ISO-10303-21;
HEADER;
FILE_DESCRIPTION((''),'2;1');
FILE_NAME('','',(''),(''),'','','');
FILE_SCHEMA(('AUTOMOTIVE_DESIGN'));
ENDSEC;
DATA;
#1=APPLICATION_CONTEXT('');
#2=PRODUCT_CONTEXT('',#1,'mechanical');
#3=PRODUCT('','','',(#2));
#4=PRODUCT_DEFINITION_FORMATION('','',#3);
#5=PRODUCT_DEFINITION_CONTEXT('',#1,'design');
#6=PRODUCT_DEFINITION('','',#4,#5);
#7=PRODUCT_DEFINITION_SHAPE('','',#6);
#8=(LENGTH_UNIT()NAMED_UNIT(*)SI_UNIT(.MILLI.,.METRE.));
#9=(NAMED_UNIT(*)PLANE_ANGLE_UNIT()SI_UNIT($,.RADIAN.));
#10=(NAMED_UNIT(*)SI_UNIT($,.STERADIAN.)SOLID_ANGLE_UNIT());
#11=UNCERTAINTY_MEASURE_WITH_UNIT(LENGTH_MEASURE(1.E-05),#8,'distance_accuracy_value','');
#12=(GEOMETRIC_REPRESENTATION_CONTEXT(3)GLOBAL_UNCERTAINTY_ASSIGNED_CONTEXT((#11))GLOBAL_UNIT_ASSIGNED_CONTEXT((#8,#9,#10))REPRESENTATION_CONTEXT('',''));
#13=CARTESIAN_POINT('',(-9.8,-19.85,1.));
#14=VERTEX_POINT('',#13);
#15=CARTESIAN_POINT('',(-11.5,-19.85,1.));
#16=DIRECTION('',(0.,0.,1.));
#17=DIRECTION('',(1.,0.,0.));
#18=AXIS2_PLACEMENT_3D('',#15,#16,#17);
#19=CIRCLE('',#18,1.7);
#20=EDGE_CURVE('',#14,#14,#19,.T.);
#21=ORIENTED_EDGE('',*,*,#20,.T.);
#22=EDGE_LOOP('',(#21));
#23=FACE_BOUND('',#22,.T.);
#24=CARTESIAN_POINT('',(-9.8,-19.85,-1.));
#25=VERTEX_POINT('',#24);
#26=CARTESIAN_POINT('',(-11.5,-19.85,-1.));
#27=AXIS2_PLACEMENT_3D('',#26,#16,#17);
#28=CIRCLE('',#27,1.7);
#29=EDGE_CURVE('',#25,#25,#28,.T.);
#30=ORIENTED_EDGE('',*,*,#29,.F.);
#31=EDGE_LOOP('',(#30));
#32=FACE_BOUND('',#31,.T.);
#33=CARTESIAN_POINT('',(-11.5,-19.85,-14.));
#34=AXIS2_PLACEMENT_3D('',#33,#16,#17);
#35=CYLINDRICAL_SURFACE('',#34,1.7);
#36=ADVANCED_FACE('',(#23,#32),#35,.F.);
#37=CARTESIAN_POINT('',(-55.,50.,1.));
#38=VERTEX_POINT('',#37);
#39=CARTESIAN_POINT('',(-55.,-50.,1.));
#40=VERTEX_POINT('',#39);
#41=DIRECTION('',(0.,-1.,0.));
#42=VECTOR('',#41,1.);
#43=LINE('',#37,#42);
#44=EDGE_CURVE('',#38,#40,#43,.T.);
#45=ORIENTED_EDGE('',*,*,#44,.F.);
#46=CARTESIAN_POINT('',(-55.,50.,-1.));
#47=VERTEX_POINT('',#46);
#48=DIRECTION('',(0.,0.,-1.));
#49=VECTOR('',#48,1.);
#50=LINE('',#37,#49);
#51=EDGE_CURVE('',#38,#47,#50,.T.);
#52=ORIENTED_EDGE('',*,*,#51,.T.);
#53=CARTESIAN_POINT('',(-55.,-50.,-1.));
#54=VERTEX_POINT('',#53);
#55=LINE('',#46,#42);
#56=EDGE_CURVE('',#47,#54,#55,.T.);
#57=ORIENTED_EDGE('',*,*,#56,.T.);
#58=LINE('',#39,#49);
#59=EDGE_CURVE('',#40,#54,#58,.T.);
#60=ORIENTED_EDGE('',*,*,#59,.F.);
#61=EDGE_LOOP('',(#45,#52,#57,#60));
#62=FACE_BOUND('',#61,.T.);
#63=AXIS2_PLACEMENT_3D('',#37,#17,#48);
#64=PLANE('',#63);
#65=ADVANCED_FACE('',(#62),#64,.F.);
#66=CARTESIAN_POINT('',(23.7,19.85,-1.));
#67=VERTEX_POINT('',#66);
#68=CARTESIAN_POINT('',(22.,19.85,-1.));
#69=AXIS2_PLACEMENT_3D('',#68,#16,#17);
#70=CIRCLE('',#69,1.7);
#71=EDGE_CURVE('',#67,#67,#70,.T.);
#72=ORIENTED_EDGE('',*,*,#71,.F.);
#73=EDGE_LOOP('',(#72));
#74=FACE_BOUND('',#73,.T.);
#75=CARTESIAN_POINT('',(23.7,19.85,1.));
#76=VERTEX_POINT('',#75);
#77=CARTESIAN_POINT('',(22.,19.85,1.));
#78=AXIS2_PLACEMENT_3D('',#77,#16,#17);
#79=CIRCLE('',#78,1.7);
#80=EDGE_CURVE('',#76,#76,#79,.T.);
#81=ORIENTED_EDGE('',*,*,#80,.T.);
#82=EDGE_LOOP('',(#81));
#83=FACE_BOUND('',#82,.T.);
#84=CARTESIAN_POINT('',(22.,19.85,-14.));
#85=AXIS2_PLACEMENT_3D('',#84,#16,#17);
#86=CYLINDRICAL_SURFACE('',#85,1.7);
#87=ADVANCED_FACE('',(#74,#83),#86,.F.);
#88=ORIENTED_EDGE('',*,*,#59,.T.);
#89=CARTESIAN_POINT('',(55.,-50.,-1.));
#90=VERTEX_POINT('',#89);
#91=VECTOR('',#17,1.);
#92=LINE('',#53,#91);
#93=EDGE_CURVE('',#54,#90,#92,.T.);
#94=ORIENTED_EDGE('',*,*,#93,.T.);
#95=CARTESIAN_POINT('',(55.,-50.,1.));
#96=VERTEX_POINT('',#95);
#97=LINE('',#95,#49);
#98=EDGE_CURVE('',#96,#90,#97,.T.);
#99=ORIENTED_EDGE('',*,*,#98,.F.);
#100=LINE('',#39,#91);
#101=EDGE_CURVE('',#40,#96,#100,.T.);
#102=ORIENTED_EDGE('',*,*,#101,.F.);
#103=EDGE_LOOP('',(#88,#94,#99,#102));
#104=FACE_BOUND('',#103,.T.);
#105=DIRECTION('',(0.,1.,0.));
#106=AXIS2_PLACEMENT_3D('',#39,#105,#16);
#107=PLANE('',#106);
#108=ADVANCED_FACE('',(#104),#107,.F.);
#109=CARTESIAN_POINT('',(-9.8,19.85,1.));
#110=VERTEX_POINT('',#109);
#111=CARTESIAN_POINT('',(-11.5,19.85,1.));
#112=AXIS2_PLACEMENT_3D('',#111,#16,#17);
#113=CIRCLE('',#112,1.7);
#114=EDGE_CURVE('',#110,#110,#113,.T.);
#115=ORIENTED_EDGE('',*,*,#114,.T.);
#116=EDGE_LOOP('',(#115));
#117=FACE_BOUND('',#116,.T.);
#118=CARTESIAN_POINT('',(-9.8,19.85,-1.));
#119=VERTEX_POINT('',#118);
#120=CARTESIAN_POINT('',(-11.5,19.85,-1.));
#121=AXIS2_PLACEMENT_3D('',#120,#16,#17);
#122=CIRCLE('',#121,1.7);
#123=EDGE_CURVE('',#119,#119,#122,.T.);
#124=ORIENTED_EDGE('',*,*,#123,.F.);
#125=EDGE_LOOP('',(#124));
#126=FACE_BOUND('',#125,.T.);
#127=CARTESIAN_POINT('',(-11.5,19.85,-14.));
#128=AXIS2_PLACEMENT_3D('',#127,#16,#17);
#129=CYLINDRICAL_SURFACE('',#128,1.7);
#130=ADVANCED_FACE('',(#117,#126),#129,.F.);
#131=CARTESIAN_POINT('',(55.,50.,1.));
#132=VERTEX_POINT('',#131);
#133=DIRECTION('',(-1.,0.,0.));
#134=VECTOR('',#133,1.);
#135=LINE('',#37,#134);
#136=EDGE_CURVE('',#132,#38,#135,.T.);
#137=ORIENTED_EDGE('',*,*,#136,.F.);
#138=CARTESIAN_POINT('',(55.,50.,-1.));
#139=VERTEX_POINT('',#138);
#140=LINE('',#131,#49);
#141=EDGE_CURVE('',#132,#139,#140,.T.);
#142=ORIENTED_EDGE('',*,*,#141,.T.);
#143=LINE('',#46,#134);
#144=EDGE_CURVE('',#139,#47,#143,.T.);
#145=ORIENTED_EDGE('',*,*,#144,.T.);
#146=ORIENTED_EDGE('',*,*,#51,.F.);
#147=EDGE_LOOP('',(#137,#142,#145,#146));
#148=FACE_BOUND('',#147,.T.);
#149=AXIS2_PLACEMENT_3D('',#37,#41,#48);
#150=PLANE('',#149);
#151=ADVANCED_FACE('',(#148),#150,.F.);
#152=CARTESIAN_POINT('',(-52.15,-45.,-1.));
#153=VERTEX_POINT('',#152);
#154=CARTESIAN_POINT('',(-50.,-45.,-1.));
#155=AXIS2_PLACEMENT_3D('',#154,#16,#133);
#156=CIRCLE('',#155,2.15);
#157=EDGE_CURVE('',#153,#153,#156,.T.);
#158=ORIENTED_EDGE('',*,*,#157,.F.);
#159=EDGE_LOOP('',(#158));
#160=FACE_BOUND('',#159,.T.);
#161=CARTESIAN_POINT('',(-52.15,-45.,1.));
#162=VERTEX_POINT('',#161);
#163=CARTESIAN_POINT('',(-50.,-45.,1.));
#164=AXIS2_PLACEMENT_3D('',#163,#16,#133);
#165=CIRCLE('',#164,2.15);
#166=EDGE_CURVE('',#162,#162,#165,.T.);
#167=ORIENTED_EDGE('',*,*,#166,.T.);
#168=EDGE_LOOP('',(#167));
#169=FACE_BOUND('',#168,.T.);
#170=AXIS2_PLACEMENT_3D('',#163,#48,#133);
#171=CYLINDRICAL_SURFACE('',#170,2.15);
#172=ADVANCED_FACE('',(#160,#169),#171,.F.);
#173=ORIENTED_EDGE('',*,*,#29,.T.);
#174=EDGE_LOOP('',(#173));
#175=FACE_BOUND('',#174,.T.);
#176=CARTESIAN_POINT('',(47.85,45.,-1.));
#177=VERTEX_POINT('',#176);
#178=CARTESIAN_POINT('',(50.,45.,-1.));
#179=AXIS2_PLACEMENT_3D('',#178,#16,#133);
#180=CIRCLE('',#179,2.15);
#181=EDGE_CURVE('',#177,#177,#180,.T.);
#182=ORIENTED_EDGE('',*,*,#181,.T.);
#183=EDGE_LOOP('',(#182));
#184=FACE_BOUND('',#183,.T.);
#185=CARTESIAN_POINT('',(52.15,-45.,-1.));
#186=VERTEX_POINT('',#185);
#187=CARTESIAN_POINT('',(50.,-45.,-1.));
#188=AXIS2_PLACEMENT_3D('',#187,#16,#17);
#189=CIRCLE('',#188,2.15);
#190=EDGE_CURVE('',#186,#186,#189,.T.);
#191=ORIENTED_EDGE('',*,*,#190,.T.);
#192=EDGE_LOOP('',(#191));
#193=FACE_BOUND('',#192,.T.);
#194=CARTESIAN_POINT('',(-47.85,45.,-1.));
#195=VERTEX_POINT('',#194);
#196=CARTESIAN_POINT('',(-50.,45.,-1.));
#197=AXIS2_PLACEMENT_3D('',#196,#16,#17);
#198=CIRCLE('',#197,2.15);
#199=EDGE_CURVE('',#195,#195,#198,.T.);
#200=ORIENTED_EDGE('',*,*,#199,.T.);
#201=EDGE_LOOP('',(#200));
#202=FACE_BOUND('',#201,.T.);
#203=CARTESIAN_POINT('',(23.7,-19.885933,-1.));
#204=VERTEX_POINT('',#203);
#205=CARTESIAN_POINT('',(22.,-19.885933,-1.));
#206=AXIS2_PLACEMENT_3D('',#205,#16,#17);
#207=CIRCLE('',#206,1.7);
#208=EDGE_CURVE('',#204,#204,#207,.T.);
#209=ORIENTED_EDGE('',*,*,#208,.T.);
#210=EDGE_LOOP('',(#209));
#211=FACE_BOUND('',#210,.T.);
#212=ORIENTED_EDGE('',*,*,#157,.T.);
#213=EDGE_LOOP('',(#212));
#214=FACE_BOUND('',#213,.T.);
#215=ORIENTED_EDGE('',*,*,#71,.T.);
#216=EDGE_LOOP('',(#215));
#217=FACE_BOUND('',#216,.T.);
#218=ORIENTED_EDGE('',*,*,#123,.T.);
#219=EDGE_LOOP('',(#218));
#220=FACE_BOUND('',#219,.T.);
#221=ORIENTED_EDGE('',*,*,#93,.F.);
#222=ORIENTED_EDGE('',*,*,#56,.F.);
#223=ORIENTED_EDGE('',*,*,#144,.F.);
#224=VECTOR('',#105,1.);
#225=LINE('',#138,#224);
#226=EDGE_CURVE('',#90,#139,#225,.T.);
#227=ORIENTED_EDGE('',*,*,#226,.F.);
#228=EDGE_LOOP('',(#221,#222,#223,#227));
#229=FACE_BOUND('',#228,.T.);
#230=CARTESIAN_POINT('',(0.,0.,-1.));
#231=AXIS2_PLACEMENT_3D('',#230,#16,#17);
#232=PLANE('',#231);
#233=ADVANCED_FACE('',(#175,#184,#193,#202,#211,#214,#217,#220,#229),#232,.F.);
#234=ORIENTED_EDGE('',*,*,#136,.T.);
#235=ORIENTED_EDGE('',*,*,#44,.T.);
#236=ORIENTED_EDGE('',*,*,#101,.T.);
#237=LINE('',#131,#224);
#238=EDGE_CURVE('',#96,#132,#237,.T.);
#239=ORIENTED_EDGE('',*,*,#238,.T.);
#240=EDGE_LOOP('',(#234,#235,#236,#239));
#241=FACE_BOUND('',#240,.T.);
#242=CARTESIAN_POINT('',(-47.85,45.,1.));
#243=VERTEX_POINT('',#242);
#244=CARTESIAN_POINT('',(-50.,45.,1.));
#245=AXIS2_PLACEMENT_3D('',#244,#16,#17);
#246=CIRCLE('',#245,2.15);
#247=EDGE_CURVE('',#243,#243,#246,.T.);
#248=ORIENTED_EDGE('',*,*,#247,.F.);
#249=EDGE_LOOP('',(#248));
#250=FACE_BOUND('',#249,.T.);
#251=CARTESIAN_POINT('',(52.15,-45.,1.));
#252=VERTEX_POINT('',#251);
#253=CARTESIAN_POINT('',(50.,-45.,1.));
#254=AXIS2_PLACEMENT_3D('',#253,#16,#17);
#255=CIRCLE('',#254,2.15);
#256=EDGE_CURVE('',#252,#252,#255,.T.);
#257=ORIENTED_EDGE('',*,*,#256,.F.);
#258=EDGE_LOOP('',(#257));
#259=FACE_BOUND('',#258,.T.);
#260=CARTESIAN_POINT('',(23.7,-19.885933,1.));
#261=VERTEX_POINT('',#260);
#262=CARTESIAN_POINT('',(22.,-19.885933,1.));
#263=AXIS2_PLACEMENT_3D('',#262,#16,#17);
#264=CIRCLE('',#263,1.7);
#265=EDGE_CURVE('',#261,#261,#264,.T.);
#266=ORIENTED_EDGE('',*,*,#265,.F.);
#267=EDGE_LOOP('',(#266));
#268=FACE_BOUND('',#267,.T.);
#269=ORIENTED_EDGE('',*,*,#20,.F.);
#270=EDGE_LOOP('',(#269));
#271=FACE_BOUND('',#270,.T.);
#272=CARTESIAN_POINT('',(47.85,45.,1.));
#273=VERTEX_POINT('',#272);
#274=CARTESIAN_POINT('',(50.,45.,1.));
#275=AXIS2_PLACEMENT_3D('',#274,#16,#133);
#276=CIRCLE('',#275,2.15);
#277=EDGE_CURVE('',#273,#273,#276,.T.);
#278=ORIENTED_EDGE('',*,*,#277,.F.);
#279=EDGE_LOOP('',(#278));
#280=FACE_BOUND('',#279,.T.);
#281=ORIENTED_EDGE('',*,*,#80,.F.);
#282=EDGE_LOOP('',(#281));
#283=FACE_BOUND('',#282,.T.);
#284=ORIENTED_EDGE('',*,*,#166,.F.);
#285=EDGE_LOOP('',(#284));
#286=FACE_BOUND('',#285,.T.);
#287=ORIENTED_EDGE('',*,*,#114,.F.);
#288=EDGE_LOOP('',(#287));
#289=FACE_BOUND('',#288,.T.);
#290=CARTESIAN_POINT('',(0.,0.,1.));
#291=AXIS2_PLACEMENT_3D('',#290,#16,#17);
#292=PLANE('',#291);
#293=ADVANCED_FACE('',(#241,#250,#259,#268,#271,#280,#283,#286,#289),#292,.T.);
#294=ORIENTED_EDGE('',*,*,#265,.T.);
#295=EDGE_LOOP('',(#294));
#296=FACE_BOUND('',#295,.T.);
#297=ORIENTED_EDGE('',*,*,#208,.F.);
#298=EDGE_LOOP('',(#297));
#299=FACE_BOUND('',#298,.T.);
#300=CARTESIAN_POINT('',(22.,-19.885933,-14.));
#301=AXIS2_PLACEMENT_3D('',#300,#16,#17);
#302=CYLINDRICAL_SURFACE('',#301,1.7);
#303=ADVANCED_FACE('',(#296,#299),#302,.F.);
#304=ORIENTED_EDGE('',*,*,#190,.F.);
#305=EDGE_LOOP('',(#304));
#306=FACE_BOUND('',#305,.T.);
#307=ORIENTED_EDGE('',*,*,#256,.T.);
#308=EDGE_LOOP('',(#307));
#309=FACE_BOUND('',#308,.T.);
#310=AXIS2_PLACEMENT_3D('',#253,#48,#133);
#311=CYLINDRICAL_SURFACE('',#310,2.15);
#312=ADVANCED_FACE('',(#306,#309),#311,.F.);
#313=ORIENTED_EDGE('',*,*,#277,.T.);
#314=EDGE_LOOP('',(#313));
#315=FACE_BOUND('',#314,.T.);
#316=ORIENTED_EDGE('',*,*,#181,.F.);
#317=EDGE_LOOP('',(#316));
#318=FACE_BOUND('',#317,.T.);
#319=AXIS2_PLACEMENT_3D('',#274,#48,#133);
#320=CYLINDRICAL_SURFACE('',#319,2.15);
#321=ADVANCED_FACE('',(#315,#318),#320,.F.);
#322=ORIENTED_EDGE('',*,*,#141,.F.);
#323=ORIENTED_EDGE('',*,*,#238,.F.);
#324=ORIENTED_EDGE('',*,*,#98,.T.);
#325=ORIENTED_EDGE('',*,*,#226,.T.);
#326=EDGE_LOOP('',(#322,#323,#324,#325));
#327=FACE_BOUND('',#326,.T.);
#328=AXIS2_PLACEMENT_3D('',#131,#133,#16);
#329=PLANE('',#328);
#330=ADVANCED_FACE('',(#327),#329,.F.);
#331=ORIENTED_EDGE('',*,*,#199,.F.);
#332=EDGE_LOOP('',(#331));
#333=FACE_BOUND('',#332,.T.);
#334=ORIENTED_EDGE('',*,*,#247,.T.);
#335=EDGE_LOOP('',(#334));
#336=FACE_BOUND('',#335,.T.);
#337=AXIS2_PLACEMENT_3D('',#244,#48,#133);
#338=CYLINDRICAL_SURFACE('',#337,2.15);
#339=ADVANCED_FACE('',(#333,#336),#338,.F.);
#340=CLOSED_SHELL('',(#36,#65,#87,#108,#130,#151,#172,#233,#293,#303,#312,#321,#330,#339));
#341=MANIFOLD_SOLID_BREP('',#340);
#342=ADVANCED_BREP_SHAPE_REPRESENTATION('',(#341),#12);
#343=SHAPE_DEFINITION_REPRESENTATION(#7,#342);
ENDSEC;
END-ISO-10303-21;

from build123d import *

# Parameters (mm, degrees)
SKETCH_1_W          = 110
SKETCH_1_H          = 100
SKETCH_1_R          = 2.15
EXTRUDE_1_DEPTH     = 1
SKETCH_2_R          = 1.7
CUT_EXTRUDE_1_DEPTH = 15


with BuildPart() as part:
    # Эскиз1 → Бобышка-Вытянуть1 (new, symmetric)
    with BuildSketch(Plane.XY):
        Rectangle(SKETCH_1_W, SKETCH_1_H)
        with Locations((-50, 45)):
            Circle(SKETCH_1_R, mode=Mode.SUBTRACT)
        with Locations(Location((50, 45, 0), (0, 0, 180))):
            Circle(SKETCH_1_R, mode=Mode.SUBTRACT)
        with Locations((50, -45)):
            Circle(SKETCH_1_R, mode=Mode.SUBTRACT)
        with Locations(Location((-50, -45, 0), (0, 0, 180))):
            Circle(SKETCH_1_R, mode=Mode.SUBTRACT)
    extrude(amount=EXTRUDE_1_DEPTH, both=True)

    # Эскиз2 → Вырез-Вытянуть1 (cut)
    with BuildSketch(Plane.XY.offset(1)):
        with Locations((22, 19.85)):
            Circle(SKETCH_2_R)
        with Locations((-11.5, 19.85)):
            Circle(SKETCH_2_R)
        with Locations((22, -19.885932887)):
            Circle(SKETCH_2_R)
        with Locations((-11.5, -19.85)):
            Circle(SKETCH_2_R)
    extrude(amount=-CUT_EXTRUDE_1_DEPTH, mode=Mode.SUBTRACT)


solid = part.part
